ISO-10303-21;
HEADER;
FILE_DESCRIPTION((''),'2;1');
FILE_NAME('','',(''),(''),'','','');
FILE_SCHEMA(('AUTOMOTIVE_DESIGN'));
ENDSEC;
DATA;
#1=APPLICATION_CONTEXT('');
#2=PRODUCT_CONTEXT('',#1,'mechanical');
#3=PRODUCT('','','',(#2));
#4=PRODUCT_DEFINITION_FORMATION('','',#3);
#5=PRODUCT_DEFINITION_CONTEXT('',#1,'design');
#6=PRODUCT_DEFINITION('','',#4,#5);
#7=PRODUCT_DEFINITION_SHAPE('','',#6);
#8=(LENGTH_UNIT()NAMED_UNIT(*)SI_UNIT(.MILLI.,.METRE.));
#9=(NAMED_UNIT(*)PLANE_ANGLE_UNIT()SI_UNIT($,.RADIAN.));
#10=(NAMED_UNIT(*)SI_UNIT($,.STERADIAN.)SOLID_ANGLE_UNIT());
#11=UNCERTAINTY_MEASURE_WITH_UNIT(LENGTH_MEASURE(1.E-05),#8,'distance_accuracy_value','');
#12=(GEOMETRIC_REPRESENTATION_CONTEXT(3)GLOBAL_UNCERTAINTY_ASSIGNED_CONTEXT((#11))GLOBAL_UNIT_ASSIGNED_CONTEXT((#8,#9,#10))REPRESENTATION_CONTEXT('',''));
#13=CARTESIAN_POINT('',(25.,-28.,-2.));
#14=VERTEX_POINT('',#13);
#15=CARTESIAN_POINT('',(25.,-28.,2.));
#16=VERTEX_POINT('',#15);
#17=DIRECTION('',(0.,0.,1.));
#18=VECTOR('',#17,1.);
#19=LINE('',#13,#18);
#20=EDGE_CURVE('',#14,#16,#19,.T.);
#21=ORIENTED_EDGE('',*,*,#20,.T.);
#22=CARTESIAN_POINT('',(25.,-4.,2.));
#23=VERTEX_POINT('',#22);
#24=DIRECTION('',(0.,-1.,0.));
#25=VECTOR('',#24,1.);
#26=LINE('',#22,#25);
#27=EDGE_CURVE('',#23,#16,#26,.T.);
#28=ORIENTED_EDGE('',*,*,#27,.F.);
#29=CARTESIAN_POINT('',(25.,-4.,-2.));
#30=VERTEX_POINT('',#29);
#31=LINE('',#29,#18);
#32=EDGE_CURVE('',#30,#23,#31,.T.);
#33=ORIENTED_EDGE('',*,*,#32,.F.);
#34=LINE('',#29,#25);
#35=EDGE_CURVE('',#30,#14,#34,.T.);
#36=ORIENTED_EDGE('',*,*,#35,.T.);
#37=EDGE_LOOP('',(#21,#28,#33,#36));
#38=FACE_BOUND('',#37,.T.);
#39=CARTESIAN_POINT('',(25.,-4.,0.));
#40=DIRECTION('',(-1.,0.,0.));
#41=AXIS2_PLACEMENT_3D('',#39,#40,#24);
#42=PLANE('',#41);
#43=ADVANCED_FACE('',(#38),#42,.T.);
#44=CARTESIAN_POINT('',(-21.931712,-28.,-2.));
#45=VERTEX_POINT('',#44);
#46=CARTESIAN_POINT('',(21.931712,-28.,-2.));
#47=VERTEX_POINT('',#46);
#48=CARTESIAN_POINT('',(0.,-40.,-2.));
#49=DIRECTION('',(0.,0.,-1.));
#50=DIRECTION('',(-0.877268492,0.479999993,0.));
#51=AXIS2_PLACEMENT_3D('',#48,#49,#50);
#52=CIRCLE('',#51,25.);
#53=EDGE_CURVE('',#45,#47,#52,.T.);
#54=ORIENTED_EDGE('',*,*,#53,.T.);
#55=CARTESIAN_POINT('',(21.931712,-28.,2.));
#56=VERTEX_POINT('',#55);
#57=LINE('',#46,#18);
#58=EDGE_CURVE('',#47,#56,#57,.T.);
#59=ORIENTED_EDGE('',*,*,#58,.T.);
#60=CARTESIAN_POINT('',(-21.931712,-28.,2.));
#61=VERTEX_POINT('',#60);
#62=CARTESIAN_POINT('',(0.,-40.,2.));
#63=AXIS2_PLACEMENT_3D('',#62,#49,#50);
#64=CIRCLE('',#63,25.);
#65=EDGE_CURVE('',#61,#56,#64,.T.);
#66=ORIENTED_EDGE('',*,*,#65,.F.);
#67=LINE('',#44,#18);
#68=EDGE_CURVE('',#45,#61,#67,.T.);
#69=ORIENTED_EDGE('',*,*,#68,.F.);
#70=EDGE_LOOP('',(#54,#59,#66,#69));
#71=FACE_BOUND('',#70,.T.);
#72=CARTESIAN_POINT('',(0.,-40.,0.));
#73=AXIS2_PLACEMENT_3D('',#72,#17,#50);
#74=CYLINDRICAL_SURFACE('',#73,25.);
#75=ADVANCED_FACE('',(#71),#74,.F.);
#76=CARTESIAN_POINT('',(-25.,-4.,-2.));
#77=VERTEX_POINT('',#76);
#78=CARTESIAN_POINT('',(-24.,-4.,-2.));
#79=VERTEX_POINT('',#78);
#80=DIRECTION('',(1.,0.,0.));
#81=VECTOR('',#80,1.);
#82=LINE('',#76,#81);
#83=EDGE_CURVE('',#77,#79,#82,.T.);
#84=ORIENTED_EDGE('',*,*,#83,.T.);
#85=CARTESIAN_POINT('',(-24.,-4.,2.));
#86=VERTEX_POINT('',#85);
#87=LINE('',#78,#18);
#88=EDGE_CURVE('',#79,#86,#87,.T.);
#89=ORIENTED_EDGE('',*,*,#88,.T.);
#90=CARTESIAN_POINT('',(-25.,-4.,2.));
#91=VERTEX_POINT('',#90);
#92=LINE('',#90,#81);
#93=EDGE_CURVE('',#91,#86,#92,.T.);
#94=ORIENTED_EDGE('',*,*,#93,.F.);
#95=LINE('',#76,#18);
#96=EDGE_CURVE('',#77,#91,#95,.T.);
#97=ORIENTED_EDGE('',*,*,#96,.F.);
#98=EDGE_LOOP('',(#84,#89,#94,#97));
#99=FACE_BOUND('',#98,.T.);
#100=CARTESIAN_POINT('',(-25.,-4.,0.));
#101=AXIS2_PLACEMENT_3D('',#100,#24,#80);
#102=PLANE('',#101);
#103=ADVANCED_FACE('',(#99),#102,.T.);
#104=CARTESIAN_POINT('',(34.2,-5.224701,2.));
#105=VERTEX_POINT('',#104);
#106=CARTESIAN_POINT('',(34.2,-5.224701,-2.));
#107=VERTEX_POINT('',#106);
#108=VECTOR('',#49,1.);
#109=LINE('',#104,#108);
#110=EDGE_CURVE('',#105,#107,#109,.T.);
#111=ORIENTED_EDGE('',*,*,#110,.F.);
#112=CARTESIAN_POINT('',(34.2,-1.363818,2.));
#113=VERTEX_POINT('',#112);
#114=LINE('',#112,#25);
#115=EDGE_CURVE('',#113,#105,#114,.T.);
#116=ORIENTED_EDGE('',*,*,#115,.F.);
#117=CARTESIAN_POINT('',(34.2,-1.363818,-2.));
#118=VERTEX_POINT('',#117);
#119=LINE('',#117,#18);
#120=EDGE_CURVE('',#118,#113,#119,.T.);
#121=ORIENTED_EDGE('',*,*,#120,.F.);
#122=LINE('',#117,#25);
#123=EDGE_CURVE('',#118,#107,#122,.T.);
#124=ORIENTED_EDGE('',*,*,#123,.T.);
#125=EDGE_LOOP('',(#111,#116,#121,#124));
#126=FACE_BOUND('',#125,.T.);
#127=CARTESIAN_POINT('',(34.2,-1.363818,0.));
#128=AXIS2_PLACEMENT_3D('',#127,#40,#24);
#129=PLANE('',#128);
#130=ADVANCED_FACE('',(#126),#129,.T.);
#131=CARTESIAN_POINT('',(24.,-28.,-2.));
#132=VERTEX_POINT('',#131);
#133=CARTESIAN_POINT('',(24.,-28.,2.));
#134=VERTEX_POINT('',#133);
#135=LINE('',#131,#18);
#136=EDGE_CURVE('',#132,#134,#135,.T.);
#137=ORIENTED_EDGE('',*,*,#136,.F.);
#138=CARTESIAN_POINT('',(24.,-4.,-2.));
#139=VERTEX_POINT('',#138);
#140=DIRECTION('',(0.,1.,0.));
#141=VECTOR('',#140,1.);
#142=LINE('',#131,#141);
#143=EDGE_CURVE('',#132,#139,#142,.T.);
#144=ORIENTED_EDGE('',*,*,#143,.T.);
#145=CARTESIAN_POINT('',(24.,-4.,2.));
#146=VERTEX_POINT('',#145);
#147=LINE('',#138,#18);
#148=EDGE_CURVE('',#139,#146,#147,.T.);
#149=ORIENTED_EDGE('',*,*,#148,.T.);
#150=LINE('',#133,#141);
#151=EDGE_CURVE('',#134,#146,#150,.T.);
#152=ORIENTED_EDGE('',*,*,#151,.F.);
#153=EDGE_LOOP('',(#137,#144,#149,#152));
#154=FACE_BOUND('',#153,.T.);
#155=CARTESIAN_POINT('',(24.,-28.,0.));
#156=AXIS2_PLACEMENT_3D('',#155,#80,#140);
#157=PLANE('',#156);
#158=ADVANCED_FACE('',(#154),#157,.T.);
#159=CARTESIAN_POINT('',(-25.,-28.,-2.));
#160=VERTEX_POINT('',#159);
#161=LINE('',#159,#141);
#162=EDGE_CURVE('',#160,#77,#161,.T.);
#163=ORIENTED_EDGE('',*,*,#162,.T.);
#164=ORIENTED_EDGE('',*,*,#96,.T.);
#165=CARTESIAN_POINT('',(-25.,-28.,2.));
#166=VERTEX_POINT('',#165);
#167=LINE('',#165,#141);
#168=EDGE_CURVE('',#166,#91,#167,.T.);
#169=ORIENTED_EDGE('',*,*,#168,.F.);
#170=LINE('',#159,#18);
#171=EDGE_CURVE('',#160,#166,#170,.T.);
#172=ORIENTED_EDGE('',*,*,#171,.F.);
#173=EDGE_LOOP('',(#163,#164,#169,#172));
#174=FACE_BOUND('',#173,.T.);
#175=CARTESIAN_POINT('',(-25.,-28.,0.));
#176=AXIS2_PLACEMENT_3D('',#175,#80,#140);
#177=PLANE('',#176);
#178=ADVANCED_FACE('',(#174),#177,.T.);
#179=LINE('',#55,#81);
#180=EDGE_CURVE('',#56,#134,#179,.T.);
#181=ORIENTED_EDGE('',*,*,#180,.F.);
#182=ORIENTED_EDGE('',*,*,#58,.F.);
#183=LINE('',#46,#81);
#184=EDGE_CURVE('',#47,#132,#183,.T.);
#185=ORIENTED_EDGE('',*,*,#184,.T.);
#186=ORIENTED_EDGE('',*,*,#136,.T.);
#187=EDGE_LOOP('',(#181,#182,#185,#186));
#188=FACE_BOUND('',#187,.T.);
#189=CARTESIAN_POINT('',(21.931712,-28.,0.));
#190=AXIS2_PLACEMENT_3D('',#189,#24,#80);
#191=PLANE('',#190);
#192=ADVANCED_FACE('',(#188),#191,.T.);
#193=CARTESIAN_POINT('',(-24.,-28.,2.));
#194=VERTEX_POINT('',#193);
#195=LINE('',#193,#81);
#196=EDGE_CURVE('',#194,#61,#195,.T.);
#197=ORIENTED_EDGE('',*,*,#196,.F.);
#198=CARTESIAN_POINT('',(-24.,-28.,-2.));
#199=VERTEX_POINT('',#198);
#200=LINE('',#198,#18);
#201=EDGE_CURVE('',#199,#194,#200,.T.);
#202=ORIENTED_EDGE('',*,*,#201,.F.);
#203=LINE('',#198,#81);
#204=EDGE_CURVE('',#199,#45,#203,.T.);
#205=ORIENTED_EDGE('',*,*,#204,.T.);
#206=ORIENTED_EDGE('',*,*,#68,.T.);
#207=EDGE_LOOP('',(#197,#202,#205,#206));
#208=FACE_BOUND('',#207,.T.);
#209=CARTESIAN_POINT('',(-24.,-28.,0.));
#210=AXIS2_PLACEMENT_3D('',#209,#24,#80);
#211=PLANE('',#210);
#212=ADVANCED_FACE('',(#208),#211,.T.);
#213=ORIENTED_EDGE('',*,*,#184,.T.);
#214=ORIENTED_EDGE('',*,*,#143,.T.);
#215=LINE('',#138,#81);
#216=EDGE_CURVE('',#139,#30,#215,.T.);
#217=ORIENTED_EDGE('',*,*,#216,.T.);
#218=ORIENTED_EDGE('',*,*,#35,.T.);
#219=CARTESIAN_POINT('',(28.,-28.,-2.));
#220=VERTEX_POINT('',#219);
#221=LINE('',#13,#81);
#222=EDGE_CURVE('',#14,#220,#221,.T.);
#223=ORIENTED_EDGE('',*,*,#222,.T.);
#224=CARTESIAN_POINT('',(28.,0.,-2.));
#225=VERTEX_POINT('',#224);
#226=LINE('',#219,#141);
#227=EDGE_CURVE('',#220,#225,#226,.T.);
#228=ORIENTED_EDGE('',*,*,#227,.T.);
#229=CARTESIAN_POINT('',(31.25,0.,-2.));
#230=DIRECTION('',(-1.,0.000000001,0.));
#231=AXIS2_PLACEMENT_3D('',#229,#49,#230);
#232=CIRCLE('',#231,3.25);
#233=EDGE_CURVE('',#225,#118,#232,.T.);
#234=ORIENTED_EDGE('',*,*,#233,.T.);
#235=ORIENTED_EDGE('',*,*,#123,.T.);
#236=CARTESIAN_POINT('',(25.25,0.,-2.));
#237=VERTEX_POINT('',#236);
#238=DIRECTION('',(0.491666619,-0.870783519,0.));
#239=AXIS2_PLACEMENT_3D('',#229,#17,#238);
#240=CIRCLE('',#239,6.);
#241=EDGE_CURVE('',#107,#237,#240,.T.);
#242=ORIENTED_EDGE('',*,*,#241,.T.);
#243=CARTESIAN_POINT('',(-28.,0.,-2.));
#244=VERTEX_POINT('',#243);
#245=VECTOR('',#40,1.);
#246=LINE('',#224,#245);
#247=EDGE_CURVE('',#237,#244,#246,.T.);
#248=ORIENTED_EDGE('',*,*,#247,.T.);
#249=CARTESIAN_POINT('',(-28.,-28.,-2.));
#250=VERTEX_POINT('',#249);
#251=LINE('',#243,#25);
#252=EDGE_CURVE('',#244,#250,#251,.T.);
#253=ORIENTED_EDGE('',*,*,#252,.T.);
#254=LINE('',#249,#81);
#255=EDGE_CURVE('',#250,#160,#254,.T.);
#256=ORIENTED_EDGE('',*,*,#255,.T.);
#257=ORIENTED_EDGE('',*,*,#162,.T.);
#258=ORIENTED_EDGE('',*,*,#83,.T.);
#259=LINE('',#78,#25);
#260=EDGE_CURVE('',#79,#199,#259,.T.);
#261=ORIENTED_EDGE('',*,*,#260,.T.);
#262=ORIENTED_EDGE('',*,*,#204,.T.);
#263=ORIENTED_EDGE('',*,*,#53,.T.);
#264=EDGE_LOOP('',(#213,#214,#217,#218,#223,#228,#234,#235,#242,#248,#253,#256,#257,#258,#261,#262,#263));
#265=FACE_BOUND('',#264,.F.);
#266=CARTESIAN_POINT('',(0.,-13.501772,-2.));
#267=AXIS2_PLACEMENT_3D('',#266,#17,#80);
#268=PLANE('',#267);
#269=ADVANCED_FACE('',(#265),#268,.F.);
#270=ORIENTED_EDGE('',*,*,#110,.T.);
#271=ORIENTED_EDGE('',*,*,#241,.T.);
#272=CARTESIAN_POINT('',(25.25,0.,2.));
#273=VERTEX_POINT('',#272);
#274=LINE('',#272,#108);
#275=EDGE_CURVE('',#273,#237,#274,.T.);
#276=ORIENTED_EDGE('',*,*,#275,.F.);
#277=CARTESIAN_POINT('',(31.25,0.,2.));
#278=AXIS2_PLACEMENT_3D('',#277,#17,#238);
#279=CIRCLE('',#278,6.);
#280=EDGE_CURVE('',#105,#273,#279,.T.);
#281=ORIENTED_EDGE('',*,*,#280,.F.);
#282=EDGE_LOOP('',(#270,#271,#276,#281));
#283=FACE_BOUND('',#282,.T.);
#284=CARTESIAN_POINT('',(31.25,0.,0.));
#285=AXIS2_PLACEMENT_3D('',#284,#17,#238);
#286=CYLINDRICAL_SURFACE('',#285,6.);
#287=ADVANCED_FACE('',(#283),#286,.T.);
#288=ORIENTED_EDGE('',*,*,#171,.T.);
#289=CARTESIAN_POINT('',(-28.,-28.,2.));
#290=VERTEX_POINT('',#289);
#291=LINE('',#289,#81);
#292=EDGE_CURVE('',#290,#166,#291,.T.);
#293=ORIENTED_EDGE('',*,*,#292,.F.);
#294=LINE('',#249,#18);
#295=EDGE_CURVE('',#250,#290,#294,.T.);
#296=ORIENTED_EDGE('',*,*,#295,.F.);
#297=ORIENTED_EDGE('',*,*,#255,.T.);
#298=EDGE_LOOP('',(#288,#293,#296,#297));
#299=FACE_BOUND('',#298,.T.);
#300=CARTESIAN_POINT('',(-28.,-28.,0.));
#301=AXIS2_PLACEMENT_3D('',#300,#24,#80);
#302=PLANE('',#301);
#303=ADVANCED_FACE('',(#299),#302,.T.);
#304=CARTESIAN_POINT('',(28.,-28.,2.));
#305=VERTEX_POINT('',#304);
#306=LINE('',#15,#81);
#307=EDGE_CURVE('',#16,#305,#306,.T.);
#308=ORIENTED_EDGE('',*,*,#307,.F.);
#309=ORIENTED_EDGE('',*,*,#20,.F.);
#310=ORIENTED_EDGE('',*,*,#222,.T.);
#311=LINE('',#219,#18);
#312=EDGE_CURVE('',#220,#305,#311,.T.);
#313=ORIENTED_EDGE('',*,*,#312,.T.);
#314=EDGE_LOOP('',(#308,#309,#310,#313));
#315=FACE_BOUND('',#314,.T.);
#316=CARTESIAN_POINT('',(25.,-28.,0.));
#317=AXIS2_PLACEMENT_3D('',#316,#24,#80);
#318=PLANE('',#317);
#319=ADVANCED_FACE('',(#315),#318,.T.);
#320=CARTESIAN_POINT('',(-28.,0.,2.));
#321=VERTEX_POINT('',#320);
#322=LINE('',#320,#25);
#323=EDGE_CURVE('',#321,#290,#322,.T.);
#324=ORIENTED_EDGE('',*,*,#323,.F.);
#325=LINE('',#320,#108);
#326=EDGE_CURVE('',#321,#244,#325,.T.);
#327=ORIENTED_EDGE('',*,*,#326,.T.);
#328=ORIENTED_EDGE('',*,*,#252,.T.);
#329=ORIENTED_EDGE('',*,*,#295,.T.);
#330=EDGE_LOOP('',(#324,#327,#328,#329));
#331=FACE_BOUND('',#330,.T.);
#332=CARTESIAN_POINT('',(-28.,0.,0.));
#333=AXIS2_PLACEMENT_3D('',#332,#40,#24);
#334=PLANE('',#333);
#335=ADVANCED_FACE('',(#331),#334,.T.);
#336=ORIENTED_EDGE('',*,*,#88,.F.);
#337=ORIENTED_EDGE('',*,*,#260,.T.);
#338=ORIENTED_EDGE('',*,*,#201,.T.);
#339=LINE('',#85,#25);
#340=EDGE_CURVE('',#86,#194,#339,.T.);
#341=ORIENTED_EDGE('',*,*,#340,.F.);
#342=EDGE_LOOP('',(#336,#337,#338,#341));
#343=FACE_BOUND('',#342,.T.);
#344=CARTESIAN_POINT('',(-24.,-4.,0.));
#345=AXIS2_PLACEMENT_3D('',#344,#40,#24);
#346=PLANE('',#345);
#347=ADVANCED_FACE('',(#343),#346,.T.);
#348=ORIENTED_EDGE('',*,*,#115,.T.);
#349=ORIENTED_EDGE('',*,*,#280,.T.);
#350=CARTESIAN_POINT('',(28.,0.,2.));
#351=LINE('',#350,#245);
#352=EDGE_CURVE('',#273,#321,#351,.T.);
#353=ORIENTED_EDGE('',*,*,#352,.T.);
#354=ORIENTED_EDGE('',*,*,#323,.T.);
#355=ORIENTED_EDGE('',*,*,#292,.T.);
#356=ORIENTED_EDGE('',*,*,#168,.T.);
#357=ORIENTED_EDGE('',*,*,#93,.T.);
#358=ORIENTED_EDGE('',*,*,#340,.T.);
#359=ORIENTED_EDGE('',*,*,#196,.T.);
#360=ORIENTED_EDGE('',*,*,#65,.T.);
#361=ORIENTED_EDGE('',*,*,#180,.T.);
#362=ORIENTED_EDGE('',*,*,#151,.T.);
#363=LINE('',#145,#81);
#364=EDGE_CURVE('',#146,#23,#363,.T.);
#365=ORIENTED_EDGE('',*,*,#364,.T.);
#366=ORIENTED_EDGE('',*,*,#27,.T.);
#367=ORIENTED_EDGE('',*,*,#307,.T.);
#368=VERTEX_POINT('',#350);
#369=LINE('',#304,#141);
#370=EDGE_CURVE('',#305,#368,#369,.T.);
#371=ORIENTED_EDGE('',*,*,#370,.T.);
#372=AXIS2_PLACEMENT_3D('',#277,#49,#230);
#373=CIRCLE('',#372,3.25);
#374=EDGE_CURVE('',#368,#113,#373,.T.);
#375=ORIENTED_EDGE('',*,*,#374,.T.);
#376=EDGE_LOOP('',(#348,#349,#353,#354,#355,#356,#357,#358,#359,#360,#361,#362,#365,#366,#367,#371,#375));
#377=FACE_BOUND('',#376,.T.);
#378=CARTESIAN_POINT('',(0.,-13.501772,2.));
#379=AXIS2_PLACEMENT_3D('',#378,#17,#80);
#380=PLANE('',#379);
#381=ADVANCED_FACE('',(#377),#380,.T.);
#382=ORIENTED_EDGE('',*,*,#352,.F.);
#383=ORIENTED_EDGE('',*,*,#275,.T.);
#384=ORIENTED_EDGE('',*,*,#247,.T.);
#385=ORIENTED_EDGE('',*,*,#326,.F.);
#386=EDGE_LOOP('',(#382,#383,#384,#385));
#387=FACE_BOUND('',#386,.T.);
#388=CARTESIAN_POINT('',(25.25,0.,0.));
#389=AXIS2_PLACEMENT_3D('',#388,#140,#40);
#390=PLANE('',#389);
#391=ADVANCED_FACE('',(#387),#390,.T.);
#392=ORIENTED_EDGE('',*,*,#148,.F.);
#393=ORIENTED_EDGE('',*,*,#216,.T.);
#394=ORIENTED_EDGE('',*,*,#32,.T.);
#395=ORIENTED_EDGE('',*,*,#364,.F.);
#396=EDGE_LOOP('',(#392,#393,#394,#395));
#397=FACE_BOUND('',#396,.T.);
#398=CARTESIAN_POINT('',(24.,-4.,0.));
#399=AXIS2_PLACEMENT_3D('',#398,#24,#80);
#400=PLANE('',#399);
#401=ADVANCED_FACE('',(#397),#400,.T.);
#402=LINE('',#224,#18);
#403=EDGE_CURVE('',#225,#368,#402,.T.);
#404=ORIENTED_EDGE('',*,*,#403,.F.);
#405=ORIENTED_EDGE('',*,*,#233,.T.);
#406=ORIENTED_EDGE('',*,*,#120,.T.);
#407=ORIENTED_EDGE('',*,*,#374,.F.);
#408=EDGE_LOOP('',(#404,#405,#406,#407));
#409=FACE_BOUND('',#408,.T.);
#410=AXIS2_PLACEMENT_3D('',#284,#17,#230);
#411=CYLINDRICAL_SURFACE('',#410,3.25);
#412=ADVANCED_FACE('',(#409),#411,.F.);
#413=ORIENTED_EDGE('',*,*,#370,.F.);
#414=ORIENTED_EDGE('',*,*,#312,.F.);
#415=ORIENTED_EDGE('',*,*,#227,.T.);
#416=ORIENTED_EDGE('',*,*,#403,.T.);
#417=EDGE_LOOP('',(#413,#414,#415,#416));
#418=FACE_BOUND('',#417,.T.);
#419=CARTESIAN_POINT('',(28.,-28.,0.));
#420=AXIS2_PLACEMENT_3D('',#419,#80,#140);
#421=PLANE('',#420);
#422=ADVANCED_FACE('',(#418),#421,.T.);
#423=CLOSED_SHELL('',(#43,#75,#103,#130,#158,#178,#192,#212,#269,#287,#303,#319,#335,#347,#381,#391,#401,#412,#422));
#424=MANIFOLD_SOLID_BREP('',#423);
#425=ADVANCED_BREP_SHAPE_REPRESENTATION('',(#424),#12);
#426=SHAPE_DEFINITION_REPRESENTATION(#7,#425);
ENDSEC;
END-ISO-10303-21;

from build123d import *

# Parameters (mm, degrees)
F1_DEPTH = 2


with BuildPart() as f1:
    # F0 (on Top) → F1 (new body, symmetric)
    with BuildSketch(Plane.XY):
        with BuildLine():
            Line((-28, 0), (-28, -28))
            Line((-28, -28), (-25, -28))
            Line((-25, -28), (-25, -4))
            Line((-25, -4), (-24, -4))
            Line((-24, -4), (-24, -28))
            Line((-24, -28), (-21.931712, -28))
            ThreePointArc((-21.931712, -28), (0, -15), (21.931712, -28))
            Line((21.931712, -28), (24, -28))
            Line((24, -28), (24, -4))
            Line((24, -4), (25, -4))
            Line((25, -4), (25, -28))
            Line((25, -28), (28, -28))
            Line((28, -28), (28, 0))
            Line((28, 0), (25.25, 0))
            Line((25.25, 0), (0, 0))
            Line((0, 0), (-28, 0))
        make_face()
        with BuildLine():
            ThreePointArc((34.2, -5.224701), (34.274897, 5.181699), (25.25, 0))
            Line((25.25, 0), (28, 0))
            ThreePointArc((28, 0), (31.948212, 3.174114), (34.2, -1.363818))
            Line((34.2, -1.363818), (34.2, -5.224701))
        make_face()
    extrude(amount=F1_DEPTH, both=True)


solid = f1.part
